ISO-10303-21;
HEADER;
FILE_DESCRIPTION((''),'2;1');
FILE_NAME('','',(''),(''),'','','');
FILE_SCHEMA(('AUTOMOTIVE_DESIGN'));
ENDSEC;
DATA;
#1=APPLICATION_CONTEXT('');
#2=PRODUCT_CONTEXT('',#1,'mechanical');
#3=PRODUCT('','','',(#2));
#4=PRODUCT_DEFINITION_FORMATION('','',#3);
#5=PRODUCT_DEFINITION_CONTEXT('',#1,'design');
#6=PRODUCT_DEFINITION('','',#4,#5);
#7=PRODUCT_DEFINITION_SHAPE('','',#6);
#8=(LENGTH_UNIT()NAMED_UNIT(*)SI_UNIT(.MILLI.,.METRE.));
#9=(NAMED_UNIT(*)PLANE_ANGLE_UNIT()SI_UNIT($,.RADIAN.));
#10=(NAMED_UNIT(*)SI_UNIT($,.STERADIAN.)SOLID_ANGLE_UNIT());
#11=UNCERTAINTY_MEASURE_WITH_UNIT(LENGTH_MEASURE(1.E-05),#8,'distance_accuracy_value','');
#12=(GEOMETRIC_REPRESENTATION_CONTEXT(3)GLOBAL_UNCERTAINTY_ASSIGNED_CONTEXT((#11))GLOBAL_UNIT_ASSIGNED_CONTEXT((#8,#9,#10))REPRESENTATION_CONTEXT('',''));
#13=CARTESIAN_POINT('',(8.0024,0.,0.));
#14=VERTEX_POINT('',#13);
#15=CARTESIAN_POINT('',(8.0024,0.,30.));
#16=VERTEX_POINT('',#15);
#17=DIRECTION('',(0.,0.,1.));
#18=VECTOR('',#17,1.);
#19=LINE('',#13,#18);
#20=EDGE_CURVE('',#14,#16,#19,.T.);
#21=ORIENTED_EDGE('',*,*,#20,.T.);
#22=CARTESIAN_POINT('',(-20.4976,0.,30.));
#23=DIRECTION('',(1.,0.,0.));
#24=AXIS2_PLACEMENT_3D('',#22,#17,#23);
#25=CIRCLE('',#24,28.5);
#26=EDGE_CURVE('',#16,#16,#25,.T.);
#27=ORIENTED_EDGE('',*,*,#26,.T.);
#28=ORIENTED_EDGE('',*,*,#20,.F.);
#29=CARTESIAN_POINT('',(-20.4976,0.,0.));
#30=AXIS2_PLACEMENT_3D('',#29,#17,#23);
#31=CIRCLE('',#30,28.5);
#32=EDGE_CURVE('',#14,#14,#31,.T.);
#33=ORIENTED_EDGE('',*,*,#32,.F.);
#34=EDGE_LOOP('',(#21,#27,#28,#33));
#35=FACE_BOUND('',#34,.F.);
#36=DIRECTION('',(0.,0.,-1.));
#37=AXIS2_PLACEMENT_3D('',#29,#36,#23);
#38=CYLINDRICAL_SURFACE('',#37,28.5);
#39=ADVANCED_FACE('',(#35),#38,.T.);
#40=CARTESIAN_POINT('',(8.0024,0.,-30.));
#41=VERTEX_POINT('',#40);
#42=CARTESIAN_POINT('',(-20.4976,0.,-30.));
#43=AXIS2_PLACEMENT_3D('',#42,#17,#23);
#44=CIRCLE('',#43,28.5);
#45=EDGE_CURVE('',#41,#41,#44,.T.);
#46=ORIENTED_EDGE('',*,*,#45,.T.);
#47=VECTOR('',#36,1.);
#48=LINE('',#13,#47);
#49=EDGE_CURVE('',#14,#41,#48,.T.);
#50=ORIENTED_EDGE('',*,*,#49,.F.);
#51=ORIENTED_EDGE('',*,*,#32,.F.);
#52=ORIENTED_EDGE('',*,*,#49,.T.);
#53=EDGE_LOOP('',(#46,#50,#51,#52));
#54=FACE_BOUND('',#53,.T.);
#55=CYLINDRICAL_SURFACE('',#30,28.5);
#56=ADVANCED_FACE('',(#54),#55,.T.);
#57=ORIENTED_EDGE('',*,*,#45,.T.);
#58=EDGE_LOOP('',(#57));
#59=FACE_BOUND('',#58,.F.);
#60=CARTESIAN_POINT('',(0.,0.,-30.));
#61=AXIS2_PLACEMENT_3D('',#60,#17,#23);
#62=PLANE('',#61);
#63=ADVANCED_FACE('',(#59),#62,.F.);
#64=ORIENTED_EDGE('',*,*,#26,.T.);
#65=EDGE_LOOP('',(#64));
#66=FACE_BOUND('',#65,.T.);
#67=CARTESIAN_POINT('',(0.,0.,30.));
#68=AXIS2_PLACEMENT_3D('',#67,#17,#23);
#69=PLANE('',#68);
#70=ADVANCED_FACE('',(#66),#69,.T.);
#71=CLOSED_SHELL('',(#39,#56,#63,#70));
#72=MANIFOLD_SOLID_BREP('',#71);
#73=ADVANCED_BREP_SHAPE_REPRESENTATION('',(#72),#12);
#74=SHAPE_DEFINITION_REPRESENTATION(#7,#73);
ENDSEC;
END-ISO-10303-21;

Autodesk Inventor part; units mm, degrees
ref_plane "YZ Plane" through (0, 0, 0) normal (1, 0, 0) x (0, 1, 0)
ref_plane "XZ Plane" through (0, 0, 0) normal (0, 1, 0) x (-1, 0, 0)
ref_plane "XY Plane" through (0, 0, 0) normal (0, 0, 1) x (1, 0, 0)
sketch "Sketch1" plane through (0, 0, 0) normal (0, 0, 1) x (1, 0, 0)
  line L0 (3.4024, -4.5) -> (3.4024, 4.5) projected
  line L1 (-44.3976, 4.5) -> (-44.3976, -4.5) projected
  line L2 (3.4024, 0) -> (-44.3976, 0) construction
  circle A0 centre (-20.4976, 0) radius 28.5
  point P0 (0, 0)
  dimension "d0" = 57
extrude "Extrusion1" add sketch "Sketch1" along normal mid plane 60
properties part number "FalseAxle"
